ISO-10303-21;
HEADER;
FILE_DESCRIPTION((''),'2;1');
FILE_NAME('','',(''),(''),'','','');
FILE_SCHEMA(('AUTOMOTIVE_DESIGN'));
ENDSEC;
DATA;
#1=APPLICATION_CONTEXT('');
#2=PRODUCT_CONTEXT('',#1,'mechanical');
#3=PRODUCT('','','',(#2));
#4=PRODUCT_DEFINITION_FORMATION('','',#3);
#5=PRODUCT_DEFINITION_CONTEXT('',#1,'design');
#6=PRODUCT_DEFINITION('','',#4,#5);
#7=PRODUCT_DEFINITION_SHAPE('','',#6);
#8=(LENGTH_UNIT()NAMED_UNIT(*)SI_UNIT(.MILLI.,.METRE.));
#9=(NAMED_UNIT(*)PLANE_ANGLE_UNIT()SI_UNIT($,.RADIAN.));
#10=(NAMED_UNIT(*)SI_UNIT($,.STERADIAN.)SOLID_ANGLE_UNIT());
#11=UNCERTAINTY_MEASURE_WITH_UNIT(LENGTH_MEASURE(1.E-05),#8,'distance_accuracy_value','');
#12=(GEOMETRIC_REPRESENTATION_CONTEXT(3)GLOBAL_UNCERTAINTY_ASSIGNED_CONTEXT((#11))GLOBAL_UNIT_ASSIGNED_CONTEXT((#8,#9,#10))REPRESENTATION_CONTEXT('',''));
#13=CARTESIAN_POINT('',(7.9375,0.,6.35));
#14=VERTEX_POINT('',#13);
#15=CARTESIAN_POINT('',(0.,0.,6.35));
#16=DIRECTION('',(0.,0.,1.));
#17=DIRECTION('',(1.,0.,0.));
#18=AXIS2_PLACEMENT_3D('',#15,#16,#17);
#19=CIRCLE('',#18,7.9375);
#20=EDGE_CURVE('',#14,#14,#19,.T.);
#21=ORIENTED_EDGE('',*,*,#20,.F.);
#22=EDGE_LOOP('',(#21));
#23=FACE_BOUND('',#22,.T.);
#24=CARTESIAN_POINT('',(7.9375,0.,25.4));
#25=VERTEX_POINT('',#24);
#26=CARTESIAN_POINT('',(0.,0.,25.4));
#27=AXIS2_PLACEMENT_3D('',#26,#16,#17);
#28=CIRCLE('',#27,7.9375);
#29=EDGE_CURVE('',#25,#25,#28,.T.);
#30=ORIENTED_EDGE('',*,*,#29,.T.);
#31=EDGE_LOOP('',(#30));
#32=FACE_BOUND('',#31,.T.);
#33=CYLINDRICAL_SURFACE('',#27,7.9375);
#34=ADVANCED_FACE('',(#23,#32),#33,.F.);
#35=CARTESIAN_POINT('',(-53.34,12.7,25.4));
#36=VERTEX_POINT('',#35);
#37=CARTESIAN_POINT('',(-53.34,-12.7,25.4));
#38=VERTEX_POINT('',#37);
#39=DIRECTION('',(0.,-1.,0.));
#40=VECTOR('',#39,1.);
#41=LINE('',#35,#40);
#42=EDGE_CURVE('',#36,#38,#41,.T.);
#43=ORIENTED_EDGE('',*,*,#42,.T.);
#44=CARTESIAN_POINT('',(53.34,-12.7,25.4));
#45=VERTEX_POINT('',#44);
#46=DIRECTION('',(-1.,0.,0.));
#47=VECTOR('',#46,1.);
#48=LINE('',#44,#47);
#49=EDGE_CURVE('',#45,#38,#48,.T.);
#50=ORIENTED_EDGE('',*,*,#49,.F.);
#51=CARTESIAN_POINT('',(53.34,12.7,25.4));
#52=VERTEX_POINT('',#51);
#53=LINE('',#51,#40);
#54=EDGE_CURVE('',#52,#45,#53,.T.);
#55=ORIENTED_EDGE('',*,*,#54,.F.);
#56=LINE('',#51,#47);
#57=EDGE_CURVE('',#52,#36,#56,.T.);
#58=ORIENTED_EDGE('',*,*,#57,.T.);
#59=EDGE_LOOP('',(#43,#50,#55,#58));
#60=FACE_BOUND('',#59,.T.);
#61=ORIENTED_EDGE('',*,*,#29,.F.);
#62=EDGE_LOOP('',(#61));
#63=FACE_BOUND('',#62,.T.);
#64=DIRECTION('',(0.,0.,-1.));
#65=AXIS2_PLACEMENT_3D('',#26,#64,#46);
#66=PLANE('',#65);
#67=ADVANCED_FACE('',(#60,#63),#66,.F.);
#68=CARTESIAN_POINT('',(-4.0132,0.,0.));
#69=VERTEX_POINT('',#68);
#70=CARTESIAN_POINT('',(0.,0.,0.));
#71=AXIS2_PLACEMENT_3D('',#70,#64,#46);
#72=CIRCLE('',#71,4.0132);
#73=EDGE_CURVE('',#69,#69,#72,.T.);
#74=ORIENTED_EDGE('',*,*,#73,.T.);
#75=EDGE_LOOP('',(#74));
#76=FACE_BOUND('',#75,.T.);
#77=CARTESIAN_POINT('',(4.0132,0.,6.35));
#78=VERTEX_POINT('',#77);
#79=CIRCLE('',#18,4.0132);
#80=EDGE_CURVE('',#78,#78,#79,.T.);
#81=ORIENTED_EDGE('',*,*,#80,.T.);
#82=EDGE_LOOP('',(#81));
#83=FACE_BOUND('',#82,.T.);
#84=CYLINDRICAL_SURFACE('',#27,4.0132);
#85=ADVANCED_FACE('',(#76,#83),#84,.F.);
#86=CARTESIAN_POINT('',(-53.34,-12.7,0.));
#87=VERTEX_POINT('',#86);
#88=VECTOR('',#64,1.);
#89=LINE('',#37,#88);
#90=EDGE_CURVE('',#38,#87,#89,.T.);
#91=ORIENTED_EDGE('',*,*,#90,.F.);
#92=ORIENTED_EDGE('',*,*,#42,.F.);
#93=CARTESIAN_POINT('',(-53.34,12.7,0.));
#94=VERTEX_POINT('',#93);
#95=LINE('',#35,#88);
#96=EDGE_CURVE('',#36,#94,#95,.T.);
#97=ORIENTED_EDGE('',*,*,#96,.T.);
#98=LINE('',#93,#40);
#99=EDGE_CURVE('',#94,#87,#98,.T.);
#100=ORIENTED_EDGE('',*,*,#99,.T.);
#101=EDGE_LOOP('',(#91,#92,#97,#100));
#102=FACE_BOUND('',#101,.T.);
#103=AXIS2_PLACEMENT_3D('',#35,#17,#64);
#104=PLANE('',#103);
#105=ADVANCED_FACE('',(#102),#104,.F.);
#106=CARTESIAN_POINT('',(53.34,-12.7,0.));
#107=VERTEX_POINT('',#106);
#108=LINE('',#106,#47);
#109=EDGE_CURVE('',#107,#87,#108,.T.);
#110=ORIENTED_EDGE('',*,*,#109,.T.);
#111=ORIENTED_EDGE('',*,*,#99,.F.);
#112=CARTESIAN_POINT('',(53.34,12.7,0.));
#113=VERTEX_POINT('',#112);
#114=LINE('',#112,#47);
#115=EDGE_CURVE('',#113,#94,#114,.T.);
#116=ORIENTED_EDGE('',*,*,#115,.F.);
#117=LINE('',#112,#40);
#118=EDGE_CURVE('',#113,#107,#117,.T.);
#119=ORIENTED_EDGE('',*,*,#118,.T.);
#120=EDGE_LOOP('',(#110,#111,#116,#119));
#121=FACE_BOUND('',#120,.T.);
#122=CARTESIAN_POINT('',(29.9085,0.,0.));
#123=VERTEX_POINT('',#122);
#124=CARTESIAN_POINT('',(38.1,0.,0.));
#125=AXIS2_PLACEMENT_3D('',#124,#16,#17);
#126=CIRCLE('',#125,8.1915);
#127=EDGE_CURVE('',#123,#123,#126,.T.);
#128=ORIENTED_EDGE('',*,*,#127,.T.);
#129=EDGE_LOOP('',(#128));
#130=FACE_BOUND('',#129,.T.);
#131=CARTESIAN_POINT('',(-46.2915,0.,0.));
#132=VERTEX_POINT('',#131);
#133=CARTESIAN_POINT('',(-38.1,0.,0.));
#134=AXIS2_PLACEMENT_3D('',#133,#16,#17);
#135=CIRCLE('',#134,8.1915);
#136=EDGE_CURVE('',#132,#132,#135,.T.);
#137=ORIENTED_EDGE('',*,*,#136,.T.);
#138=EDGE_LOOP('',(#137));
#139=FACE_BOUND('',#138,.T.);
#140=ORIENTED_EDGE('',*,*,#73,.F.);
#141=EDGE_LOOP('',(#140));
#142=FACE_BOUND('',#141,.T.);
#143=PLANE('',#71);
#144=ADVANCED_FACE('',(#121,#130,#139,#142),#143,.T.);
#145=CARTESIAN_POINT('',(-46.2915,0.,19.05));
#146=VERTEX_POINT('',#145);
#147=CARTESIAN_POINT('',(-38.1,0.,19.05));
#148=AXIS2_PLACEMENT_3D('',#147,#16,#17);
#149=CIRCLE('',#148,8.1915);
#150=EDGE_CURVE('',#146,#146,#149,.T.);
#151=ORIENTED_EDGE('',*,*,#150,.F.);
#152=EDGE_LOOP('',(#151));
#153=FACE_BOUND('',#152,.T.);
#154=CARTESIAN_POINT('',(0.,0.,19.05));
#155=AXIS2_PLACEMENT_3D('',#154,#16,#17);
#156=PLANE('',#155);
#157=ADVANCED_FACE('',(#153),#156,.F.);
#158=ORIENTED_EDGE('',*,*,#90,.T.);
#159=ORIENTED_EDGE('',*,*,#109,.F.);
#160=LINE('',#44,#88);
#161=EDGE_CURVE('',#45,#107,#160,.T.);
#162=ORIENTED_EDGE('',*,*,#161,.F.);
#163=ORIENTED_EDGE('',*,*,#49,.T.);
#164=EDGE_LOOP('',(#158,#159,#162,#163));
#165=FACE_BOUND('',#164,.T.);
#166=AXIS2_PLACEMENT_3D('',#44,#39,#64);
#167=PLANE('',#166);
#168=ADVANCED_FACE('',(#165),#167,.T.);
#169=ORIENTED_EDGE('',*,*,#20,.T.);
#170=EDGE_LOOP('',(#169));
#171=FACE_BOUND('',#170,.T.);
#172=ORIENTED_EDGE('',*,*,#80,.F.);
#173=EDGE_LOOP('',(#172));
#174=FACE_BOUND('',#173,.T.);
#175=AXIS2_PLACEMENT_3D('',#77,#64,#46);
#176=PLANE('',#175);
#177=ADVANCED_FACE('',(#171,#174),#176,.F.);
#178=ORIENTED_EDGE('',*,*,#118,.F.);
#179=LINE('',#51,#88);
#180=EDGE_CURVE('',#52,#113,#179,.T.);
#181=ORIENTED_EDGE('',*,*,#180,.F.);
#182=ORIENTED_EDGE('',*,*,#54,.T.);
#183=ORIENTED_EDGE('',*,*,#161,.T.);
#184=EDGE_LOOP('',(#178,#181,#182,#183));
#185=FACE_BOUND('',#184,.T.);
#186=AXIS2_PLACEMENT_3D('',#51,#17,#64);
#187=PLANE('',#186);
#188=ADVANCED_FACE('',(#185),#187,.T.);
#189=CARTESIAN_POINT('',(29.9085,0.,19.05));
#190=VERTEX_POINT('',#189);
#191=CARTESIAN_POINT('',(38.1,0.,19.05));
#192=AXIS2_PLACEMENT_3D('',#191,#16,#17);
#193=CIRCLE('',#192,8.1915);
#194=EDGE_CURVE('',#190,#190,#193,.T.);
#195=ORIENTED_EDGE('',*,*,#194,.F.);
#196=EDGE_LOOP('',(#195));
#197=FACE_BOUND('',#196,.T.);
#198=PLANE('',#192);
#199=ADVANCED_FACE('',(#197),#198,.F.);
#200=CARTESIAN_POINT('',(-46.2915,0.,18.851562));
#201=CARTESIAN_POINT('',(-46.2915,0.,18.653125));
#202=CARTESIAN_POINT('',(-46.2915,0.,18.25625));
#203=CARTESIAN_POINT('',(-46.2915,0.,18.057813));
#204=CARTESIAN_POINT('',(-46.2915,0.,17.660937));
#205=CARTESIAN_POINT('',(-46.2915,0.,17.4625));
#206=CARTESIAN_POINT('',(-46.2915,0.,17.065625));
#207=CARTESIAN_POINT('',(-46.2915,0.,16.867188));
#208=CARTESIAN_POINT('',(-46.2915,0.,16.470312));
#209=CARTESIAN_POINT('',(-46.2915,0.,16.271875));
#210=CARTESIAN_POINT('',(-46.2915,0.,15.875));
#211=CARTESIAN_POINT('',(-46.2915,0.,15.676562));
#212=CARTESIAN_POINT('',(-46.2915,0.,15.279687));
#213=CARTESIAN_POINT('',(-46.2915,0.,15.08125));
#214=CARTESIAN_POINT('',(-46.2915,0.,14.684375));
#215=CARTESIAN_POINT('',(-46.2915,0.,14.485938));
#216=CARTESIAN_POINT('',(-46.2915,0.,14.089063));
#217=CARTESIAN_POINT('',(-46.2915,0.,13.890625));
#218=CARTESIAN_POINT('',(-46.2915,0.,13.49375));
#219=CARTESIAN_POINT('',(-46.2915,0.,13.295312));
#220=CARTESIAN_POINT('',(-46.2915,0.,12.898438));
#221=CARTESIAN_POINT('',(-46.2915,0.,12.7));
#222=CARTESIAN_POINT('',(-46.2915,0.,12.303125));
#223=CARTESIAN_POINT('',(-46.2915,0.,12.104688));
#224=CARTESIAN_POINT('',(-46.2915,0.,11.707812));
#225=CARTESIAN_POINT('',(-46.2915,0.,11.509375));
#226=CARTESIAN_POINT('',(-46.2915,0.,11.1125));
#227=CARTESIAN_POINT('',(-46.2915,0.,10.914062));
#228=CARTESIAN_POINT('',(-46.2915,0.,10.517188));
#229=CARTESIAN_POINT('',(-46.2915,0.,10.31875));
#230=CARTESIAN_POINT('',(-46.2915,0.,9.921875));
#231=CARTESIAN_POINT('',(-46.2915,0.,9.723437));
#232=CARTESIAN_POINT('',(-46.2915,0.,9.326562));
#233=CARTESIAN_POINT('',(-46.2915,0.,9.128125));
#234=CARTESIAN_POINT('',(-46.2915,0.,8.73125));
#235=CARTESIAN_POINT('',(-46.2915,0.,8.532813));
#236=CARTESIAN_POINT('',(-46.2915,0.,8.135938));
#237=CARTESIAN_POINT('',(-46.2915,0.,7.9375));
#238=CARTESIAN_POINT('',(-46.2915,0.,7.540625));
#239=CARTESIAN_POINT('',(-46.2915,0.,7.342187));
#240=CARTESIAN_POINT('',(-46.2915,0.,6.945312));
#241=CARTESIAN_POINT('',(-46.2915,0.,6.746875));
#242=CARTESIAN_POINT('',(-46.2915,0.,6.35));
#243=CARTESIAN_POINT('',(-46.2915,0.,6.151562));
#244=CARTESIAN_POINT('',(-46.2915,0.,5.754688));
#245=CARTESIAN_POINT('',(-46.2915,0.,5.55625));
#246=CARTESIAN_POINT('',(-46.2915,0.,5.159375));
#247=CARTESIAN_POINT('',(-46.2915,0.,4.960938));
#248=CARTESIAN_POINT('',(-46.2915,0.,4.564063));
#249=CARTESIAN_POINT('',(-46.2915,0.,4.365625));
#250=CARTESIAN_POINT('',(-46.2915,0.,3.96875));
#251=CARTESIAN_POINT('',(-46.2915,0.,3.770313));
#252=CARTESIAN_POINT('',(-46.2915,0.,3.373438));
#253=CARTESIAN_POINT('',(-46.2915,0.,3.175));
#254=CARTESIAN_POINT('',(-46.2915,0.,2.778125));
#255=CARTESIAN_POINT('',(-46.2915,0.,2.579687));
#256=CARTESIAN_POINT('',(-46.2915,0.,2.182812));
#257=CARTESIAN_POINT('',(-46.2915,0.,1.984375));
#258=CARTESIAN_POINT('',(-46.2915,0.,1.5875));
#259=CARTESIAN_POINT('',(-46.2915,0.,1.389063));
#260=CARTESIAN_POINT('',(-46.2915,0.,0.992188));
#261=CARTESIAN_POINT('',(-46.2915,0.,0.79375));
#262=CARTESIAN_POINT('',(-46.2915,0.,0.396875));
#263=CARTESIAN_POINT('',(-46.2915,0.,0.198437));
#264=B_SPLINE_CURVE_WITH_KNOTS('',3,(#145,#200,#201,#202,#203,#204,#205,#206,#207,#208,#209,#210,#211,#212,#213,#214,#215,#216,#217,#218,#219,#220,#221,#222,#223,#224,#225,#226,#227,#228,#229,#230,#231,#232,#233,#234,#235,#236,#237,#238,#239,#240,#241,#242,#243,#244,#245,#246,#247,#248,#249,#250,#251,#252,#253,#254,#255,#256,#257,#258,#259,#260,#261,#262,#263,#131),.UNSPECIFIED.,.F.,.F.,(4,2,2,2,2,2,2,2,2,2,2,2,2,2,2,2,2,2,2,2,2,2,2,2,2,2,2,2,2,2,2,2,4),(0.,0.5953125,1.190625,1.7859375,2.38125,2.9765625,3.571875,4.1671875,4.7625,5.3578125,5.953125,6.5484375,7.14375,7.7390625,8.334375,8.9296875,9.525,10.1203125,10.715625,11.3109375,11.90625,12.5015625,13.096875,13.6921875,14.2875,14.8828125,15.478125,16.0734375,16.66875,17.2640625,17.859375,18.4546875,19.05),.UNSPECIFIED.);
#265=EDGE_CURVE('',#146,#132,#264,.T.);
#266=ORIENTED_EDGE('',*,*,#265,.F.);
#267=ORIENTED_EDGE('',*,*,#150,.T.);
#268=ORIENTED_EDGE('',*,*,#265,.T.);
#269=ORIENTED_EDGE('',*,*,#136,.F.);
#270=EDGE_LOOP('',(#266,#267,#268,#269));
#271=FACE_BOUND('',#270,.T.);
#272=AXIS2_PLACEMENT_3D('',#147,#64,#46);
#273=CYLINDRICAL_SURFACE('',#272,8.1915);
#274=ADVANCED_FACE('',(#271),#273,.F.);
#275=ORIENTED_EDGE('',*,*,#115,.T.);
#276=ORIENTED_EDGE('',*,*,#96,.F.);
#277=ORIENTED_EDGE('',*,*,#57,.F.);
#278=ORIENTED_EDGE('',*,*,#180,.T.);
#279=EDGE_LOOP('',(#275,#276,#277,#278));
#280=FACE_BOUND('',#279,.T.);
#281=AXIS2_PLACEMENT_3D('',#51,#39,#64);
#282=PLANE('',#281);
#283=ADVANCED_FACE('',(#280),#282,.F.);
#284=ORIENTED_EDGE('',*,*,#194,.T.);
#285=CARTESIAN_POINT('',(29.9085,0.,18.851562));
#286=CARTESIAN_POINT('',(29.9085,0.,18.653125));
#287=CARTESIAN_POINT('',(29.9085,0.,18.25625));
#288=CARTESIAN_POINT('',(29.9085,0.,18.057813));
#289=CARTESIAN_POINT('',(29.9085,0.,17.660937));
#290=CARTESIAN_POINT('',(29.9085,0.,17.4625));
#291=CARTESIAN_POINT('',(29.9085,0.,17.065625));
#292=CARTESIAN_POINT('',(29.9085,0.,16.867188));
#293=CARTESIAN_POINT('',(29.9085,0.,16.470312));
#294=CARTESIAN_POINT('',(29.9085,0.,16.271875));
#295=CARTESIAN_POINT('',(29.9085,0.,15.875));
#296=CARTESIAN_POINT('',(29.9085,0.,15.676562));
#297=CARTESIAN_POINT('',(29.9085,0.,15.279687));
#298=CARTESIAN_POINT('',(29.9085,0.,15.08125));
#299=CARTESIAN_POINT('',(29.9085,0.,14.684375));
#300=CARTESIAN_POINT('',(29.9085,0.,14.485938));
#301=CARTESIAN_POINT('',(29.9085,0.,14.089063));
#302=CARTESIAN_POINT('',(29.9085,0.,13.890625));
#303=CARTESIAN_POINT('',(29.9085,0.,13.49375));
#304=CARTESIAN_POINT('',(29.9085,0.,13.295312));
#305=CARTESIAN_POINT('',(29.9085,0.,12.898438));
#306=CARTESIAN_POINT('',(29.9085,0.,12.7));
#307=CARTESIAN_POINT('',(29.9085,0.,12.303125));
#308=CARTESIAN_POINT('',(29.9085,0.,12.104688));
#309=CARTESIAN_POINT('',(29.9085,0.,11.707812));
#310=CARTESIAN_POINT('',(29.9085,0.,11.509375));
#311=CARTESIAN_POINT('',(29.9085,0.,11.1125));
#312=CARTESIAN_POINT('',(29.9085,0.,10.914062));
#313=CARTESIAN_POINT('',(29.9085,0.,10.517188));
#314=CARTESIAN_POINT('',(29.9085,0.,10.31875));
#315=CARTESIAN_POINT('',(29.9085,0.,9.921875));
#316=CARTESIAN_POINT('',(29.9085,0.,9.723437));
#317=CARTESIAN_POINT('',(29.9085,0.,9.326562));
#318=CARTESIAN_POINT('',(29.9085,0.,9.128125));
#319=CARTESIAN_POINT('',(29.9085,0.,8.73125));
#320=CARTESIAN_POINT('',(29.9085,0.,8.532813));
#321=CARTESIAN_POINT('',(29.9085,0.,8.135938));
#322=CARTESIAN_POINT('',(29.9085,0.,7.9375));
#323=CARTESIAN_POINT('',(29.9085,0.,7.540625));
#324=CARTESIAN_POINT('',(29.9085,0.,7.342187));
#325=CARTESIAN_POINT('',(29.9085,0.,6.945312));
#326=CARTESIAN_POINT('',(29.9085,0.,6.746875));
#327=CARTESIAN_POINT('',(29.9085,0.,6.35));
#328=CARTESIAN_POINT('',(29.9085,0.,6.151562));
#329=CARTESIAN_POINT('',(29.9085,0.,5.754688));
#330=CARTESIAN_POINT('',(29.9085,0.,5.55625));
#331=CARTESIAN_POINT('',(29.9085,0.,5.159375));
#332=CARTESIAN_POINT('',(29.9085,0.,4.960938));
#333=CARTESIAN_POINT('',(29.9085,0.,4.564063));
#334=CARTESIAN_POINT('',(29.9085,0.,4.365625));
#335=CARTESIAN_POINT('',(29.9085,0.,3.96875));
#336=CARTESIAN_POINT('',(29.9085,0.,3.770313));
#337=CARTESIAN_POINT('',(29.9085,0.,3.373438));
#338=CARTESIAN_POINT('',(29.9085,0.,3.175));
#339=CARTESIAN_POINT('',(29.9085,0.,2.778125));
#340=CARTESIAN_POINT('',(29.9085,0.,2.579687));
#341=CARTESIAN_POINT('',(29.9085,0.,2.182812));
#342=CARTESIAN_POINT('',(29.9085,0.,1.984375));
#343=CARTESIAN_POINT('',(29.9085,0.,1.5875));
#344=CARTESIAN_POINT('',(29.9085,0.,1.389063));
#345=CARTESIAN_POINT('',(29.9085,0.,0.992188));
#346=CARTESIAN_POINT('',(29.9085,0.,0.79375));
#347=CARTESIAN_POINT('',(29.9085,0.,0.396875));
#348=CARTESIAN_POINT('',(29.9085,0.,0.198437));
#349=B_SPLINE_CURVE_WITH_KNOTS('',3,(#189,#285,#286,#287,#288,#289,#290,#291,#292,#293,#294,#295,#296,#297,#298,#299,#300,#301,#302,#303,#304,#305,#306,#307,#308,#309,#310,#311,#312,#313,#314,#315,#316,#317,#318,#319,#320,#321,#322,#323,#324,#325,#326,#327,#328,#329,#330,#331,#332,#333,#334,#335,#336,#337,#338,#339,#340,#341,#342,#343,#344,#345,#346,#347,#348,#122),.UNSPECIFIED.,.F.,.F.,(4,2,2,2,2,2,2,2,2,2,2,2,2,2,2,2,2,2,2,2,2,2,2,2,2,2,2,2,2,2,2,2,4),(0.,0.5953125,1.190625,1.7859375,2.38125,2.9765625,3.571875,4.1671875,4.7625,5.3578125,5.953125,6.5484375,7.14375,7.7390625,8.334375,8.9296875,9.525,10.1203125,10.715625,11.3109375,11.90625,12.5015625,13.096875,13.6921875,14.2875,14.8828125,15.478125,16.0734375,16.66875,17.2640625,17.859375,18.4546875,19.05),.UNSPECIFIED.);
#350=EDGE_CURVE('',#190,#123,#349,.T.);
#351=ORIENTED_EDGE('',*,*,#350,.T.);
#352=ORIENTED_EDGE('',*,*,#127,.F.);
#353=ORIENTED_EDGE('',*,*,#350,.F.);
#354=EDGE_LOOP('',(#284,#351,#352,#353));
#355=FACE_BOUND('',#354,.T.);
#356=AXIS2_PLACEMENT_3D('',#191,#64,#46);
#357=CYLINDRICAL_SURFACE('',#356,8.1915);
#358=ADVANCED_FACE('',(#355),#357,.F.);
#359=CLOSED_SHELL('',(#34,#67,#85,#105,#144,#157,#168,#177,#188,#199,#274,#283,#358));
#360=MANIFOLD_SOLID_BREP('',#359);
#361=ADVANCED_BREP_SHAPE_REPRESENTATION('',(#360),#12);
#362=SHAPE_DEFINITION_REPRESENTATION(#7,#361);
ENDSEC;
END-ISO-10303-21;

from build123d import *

# Parameters (mm, degrees)
SKETCH1_W                                            = 106.68
SKETCH1_H                                            = 25.4
BOSS_EXTRUDE1_DEPTH                                  = 25.4
SKETCH1_3_R                                          = 8.1915
CUT_EXTRUDE1_DEPTH                                   = 19.05
CBORE_FOR_1_4_BINDING_HEAD_MACHINE_SCREW_D           = 8.0264
CBORE_FOR_1_4_BINDING_HEAD_MACHINE_SCREW_CBORE_D     = 15.875
CBORE_FOR_1_4_BINDING_HEAD_MACHINE_SCREW_CBORE_DEPTH = 19.05


with BuildPart() as part:
    # Sketch1 → Boss-Extrude1 (new body)
    with BuildSketch(Plane.XY):
        Rectangle(SKETCH1_W, SKETCH1_H)
    extrude(amount=BOSS_EXTRUDE1_DEPTH)

    # Sketch1<3> → Cut-Extrude1 (cut)
    with BuildSketch(Plane.XY):
        with Locations(Location((-38.1, 0, 0), (0, 0, 180))):
            Circle(SKETCH1_3_R)
        with Locations(Location((38.1, 0, 0), (0, 0, 180))):
            Circle(SKETCH1_3_R)
    extrude(amount=CUT_EXTRUDE1_DEPTH, mode=Mode.SUBTRACT)

    # CBORE for 1/4 Binding Head Machine Screw1 (through all)
    with Locations(Plane.XY.offset(25.4)):
        with Locations((0, 0)):
            CounterBoreHole(CBORE_FOR_1_4_BINDING_HEAD_MACHINE_SCREW_D / 2, CBORE_FOR_1_4_BINDING_HEAD_MACHINE_SCREW_CBORE_D / 2, CBORE_FOR_1_4_BINDING_HEAD_MACHINE_SCREW_CBORE_DEPTH)


solid = part.part
